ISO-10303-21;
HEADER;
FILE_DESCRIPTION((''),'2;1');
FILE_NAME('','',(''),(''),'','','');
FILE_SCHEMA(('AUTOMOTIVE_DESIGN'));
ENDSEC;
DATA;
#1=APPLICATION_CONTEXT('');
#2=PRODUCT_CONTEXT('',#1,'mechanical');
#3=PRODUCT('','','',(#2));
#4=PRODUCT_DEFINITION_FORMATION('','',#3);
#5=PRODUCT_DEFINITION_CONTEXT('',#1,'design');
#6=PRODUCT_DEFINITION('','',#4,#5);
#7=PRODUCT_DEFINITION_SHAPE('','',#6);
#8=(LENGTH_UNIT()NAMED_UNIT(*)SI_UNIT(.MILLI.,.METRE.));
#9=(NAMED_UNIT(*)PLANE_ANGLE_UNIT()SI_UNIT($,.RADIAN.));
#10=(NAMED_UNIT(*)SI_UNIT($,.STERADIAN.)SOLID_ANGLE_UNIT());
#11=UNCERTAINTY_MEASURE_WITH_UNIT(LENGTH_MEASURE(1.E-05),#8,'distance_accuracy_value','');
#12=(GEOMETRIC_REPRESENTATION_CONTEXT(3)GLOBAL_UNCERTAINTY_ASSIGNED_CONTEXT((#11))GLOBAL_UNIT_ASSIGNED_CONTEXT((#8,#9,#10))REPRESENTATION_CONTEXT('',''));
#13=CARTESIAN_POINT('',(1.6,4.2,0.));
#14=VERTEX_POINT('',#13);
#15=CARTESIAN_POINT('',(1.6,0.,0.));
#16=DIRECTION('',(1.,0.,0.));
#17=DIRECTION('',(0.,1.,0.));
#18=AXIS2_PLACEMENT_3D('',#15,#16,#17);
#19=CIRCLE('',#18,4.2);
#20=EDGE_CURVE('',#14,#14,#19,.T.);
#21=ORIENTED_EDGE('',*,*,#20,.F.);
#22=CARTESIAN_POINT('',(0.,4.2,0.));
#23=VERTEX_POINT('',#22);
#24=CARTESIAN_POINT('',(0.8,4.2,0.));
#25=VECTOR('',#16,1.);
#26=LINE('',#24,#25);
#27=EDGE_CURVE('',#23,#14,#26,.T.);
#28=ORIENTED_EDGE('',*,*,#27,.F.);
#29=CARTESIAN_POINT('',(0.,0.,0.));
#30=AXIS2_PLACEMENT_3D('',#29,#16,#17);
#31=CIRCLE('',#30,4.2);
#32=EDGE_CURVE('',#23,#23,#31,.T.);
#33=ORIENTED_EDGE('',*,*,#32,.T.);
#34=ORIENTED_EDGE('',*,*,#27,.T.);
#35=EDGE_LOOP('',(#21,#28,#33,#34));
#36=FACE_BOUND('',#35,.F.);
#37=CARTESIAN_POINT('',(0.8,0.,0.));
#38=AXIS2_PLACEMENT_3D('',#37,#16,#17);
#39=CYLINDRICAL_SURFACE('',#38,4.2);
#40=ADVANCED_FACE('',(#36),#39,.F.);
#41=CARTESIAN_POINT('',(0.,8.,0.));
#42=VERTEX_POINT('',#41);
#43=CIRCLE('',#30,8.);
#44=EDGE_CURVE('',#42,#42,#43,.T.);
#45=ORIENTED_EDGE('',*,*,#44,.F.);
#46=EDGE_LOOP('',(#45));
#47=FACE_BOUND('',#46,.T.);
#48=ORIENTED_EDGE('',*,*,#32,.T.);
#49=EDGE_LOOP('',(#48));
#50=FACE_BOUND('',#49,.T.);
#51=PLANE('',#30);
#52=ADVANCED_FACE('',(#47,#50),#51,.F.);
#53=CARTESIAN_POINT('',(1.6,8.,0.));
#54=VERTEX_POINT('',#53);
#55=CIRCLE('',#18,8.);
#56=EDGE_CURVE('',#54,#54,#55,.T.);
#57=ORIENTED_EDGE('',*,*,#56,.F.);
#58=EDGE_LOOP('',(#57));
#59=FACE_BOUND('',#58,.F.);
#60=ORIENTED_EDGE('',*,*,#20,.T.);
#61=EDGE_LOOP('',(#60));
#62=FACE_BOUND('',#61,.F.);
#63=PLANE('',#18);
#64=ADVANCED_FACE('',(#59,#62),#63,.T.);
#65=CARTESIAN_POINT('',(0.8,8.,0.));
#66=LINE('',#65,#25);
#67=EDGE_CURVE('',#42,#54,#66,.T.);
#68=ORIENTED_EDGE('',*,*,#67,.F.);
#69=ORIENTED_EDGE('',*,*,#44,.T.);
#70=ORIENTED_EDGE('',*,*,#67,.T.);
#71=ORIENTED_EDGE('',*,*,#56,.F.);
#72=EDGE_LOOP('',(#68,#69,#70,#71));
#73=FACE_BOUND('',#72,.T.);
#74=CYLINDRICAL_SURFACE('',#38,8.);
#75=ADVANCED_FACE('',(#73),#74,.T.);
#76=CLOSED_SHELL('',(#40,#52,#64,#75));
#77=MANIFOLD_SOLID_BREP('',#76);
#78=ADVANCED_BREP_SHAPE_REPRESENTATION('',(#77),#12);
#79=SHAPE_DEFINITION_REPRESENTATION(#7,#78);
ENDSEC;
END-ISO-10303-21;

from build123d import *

# Parameters (mm, degrees)
SZKIC1_W = 1.6
SZKIC1_H = 3.8


with BuildPart() as part:
    # Szkic1 → Obrót1 (revolve)
    with BuildSketch(Plane.XY):
        with Locations((0.8, 6.1)):
            Rectangle(SZKIC1_W, SZKIC1_H)
    revolve(axis=Axis((0, 0, 0), (1, 0, 0)))


solid = part.part
